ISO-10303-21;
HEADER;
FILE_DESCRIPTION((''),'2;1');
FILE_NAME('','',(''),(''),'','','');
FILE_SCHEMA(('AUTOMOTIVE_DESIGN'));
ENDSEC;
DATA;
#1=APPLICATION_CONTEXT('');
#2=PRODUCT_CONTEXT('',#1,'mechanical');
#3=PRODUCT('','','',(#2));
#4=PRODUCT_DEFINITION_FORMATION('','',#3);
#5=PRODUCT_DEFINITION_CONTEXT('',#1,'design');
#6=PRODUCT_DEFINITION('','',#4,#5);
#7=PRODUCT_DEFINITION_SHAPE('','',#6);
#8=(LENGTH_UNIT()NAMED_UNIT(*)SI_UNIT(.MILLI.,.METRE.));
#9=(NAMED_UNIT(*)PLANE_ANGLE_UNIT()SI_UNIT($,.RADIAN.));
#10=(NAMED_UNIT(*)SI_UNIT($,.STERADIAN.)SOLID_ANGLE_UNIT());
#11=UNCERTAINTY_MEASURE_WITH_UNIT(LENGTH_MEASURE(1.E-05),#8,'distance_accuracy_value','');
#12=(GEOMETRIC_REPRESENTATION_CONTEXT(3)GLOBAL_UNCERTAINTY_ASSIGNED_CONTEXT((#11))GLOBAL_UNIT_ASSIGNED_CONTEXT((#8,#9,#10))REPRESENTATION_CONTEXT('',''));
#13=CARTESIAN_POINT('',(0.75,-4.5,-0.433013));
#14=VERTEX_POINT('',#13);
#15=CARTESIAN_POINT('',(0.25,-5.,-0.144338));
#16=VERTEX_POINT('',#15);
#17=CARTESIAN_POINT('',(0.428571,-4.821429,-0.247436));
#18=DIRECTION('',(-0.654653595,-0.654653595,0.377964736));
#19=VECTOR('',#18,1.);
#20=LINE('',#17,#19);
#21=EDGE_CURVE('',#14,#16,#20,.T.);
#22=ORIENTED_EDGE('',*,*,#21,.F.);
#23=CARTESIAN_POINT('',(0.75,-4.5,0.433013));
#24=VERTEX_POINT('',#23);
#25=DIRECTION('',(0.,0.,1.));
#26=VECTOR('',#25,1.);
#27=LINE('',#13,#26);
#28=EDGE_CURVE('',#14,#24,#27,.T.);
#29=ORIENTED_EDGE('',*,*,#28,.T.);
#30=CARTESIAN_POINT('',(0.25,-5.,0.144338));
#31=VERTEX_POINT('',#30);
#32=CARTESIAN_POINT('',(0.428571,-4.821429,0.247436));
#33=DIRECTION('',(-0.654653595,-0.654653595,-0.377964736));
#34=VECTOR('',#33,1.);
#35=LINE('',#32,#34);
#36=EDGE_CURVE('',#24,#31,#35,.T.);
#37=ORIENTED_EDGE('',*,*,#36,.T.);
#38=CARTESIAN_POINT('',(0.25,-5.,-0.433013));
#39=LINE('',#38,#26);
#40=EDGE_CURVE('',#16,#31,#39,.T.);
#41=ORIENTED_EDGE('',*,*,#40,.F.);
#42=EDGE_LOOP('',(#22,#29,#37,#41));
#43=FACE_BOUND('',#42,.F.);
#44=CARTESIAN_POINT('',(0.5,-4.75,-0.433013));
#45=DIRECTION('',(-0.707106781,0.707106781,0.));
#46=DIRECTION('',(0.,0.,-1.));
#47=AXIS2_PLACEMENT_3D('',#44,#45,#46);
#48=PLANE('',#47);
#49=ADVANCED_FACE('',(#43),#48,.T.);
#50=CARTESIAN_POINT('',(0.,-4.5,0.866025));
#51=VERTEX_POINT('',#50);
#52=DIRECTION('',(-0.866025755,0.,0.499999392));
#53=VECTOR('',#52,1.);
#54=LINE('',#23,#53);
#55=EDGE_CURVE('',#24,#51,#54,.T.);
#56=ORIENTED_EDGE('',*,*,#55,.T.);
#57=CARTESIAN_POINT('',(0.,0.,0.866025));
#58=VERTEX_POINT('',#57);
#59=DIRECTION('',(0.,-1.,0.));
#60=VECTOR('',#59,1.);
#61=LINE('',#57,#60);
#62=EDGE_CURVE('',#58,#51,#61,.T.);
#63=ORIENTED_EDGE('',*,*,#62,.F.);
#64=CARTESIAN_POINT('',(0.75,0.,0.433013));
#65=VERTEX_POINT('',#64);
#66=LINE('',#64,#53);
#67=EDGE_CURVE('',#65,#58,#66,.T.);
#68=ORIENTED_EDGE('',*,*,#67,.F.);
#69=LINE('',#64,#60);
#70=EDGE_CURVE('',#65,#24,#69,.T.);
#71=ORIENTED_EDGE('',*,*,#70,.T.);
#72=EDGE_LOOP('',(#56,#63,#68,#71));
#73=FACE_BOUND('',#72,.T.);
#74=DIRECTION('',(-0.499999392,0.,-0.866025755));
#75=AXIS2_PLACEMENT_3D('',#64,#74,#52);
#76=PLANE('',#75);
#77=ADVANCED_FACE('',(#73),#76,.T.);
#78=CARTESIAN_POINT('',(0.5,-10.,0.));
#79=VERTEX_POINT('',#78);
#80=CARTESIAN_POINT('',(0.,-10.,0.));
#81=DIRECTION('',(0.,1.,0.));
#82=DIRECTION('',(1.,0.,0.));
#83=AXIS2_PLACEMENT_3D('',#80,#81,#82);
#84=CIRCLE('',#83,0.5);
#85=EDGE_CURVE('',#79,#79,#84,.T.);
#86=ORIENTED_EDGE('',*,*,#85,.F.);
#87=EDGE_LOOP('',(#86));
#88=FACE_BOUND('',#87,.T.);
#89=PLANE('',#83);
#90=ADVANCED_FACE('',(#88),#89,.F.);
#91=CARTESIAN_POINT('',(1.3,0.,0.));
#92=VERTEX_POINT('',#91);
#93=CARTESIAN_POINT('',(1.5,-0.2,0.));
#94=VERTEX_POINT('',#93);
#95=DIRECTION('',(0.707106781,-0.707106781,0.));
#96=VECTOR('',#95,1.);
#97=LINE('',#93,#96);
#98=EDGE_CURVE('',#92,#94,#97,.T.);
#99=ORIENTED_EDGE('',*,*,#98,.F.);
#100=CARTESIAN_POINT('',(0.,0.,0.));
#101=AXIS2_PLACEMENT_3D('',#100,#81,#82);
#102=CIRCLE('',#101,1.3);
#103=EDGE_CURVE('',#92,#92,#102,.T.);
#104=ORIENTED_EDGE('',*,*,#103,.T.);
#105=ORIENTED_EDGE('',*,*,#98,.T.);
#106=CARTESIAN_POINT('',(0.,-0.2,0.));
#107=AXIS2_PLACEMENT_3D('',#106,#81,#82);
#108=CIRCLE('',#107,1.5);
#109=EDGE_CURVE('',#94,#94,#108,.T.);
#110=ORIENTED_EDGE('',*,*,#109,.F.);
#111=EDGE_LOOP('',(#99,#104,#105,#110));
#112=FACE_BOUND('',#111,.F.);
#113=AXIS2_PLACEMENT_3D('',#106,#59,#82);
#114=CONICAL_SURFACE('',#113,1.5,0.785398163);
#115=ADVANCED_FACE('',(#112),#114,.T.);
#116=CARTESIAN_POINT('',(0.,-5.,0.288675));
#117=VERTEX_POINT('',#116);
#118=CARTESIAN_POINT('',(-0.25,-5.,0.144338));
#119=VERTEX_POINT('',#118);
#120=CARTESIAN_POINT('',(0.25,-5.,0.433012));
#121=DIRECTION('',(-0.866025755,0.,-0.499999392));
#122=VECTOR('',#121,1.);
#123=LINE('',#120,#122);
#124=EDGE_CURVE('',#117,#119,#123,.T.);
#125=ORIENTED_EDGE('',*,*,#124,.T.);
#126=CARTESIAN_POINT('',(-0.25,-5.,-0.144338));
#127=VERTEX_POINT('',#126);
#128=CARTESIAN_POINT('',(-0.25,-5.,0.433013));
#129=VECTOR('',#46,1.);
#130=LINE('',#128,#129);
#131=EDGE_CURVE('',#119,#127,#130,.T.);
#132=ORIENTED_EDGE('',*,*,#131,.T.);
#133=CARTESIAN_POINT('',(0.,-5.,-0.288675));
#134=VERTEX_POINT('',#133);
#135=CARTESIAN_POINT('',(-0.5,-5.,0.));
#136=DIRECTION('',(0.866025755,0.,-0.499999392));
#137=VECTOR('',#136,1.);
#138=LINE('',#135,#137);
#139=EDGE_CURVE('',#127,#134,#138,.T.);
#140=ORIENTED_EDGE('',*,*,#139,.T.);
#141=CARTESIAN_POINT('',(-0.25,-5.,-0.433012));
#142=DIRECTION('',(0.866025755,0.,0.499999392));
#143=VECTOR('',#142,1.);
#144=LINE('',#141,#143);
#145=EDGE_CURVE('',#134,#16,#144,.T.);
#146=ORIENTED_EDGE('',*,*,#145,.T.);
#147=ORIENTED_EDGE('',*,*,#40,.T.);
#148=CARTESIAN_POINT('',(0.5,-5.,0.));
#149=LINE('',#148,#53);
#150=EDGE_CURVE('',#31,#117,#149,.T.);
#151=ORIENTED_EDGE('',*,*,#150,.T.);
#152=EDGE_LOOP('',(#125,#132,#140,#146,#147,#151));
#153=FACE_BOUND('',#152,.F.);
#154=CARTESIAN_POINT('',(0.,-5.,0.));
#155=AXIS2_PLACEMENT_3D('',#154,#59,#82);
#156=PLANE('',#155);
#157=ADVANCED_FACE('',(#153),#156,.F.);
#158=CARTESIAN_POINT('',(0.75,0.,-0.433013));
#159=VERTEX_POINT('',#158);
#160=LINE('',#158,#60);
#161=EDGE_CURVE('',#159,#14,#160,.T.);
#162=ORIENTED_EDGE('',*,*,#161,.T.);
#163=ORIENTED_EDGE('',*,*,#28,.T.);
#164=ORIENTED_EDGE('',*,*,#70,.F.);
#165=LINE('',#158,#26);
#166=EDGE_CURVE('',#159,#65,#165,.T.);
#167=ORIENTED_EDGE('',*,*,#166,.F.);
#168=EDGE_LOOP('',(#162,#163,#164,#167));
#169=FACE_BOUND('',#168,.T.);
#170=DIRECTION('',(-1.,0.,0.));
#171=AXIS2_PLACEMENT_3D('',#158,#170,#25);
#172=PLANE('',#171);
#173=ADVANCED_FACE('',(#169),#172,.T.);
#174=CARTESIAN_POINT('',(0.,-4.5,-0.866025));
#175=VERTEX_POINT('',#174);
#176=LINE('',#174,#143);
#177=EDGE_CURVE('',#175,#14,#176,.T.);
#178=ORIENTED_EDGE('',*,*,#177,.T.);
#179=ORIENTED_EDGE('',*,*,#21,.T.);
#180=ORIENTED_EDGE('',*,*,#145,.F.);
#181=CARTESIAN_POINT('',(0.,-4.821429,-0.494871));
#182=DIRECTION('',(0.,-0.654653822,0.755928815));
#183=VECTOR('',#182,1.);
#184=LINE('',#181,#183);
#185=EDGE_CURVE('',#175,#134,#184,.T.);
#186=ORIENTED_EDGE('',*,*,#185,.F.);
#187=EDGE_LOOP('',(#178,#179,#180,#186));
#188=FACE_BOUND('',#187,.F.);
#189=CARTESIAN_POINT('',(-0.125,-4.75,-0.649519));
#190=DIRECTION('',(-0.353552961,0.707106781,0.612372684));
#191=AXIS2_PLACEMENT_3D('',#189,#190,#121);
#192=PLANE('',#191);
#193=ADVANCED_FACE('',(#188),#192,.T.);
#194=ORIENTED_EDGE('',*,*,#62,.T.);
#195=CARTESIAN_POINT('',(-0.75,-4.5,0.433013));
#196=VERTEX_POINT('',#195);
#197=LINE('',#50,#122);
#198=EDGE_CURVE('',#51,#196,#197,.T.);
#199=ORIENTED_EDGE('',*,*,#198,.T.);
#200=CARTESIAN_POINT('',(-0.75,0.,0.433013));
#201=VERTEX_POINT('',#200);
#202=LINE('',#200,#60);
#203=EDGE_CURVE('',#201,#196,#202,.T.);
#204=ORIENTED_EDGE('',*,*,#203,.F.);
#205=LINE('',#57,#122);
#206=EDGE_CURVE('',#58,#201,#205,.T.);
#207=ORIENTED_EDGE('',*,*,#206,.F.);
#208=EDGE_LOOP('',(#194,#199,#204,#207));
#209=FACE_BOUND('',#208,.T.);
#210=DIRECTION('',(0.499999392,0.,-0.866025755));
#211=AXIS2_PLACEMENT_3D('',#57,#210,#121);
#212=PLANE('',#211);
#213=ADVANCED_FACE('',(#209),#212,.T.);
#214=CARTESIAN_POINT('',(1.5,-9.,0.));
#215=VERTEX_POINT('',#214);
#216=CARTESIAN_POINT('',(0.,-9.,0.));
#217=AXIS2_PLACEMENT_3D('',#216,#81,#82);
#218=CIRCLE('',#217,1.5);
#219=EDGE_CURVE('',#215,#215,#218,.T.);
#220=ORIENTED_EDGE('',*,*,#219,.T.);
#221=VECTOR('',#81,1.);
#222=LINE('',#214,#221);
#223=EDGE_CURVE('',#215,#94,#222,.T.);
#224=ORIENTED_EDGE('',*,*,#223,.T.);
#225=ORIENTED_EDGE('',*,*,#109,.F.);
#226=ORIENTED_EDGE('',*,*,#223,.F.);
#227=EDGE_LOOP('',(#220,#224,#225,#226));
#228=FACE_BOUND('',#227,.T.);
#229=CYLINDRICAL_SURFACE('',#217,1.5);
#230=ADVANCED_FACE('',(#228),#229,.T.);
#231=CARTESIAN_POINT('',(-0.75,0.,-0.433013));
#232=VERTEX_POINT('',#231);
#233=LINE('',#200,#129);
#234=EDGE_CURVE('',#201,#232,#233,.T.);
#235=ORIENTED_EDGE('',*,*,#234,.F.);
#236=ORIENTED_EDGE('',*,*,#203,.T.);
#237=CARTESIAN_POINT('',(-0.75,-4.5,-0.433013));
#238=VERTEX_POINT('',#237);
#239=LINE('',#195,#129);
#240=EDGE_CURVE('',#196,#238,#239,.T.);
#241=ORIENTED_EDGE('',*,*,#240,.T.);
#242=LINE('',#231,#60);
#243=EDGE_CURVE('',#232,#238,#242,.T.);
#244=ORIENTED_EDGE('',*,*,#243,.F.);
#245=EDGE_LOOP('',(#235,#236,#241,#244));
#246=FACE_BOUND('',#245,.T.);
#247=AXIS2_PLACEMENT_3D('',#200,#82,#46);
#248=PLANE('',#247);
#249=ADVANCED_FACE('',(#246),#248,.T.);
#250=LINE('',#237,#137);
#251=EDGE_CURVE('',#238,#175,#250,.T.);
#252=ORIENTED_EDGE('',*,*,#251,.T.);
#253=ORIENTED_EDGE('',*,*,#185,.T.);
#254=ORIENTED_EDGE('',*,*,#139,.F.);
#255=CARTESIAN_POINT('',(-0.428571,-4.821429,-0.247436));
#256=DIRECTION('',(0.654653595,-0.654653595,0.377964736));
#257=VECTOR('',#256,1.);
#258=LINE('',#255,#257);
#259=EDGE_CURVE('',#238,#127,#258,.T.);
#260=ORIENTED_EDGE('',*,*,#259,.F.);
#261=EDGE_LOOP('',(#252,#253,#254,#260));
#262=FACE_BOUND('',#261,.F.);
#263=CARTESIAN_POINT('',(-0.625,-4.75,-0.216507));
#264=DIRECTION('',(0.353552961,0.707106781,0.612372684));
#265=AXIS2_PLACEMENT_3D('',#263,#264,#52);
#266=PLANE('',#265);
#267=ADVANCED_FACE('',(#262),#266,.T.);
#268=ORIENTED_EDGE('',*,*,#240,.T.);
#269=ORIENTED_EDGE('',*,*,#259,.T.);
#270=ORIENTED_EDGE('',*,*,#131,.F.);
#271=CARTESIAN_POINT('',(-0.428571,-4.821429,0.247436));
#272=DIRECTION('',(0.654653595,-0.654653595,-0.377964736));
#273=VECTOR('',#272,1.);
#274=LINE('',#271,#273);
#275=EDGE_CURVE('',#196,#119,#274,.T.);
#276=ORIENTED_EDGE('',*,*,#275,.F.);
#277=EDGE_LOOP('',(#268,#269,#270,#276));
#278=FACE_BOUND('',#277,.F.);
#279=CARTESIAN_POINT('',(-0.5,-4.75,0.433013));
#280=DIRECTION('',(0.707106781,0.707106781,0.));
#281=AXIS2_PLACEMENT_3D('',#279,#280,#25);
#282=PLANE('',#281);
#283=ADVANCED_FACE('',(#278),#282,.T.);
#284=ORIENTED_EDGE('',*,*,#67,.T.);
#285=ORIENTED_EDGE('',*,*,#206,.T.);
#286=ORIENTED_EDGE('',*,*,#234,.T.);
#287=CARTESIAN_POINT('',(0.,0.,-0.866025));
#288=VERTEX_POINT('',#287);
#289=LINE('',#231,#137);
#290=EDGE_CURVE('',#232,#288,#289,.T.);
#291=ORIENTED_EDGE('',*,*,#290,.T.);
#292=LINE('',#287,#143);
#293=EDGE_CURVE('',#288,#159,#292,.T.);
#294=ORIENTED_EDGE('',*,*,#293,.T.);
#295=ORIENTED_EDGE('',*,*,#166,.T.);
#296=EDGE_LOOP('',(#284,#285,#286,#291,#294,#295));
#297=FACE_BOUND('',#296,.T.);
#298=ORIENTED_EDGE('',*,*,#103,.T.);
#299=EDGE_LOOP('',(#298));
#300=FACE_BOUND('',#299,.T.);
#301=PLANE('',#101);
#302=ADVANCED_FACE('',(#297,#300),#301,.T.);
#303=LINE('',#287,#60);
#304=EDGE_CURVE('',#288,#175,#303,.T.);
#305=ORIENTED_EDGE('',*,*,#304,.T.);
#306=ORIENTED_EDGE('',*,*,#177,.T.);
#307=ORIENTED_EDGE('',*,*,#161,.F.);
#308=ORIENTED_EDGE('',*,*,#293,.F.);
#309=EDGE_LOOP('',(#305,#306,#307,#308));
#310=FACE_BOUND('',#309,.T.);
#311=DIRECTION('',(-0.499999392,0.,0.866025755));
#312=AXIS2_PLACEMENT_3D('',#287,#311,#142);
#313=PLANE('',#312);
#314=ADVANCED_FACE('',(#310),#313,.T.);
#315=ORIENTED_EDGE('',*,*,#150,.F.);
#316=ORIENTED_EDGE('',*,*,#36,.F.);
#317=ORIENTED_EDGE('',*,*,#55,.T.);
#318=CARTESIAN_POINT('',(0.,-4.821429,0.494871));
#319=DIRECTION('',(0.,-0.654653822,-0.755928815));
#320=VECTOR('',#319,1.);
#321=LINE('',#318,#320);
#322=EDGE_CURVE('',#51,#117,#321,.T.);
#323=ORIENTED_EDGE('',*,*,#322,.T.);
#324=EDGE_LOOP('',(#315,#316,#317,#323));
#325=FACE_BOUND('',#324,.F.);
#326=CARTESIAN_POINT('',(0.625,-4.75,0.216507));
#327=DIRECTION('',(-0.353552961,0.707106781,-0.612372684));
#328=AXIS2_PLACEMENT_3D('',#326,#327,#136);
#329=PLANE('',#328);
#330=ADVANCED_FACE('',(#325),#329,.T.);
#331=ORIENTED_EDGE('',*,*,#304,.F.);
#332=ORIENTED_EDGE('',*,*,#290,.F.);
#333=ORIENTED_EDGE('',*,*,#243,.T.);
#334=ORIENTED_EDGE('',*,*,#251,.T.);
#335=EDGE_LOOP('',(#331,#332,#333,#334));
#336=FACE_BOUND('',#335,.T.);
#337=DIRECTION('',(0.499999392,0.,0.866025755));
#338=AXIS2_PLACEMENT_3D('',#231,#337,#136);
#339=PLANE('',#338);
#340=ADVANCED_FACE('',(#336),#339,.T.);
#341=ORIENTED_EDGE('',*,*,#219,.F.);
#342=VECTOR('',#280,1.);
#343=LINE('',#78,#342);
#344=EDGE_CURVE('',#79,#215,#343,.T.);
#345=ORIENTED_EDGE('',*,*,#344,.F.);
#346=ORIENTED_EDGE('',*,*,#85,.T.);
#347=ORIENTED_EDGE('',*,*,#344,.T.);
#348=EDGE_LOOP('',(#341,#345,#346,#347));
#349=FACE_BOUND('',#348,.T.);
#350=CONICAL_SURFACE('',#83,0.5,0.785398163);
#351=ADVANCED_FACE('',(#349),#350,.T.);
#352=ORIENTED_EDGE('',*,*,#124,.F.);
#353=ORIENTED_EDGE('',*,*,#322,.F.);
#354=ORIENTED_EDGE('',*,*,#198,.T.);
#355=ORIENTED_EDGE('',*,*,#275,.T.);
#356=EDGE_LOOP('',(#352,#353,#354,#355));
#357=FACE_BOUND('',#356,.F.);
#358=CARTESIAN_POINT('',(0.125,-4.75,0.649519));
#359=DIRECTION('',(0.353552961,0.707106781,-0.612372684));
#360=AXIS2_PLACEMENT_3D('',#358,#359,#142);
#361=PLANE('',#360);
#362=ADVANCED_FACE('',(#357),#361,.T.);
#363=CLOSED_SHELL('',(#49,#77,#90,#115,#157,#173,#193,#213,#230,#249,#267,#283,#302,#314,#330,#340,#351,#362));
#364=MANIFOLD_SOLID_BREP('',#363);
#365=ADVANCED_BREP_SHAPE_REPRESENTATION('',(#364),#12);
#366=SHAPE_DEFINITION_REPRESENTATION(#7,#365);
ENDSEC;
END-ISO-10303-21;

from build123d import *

# Parameters (mm, degrees)
POCKET_DEPTH    = 5
CHAMFER_SIZE    = 0.5
CHAMFER001_SIZE = 0.2


with BuildPart() as part:
    # Sketch → Revolution (revolve)
    with BuildSketch(Plane.XY):
        Polygon((0.5, -10), (1.5, -9), (1.5, 0), (0, 0), (0, -10), align=None)
    revolve(axis=Axis((0, 0, 0), (0, 1, 0)))

    # Sketch001 → Pocket (cut)
    with BuildSketch(Plane.XZ):
        Polygon((0.75, -0.433013), (0.75, 0.433013), (0, 0.866025), (-0.75, 0.433013), (-0.75, -0.433013), (0, -0.866025), align=None)
    extrude(amount=POCKET_DEPTH, mode=Mode.SUBTRACT)

    # Chamfer
    chamfer_edges = [part.edges().sort_by_distance(p)[0] for p in [
        (0.75, -5, 0),
        (0.375, -5, 0.649519),
        (-0.375, -5, 0.649519),
        (-0.75, -5, 0),
        (-0.375, -5, -0.649519),
        (0.375, -5, -0.649519),
    ]]
    chamfer(chamfer_edges, length=CHAMFER_SIZE)

    # Chamfer001
    chamfer001_edges = [part.edges().sort_by_distance(p)[0] for p in [
        (-1.5, 0, 0),
    ]]
    chamfer(chamfer001_edges, length=CHAMFER001_SIZE)


solid = part.part
